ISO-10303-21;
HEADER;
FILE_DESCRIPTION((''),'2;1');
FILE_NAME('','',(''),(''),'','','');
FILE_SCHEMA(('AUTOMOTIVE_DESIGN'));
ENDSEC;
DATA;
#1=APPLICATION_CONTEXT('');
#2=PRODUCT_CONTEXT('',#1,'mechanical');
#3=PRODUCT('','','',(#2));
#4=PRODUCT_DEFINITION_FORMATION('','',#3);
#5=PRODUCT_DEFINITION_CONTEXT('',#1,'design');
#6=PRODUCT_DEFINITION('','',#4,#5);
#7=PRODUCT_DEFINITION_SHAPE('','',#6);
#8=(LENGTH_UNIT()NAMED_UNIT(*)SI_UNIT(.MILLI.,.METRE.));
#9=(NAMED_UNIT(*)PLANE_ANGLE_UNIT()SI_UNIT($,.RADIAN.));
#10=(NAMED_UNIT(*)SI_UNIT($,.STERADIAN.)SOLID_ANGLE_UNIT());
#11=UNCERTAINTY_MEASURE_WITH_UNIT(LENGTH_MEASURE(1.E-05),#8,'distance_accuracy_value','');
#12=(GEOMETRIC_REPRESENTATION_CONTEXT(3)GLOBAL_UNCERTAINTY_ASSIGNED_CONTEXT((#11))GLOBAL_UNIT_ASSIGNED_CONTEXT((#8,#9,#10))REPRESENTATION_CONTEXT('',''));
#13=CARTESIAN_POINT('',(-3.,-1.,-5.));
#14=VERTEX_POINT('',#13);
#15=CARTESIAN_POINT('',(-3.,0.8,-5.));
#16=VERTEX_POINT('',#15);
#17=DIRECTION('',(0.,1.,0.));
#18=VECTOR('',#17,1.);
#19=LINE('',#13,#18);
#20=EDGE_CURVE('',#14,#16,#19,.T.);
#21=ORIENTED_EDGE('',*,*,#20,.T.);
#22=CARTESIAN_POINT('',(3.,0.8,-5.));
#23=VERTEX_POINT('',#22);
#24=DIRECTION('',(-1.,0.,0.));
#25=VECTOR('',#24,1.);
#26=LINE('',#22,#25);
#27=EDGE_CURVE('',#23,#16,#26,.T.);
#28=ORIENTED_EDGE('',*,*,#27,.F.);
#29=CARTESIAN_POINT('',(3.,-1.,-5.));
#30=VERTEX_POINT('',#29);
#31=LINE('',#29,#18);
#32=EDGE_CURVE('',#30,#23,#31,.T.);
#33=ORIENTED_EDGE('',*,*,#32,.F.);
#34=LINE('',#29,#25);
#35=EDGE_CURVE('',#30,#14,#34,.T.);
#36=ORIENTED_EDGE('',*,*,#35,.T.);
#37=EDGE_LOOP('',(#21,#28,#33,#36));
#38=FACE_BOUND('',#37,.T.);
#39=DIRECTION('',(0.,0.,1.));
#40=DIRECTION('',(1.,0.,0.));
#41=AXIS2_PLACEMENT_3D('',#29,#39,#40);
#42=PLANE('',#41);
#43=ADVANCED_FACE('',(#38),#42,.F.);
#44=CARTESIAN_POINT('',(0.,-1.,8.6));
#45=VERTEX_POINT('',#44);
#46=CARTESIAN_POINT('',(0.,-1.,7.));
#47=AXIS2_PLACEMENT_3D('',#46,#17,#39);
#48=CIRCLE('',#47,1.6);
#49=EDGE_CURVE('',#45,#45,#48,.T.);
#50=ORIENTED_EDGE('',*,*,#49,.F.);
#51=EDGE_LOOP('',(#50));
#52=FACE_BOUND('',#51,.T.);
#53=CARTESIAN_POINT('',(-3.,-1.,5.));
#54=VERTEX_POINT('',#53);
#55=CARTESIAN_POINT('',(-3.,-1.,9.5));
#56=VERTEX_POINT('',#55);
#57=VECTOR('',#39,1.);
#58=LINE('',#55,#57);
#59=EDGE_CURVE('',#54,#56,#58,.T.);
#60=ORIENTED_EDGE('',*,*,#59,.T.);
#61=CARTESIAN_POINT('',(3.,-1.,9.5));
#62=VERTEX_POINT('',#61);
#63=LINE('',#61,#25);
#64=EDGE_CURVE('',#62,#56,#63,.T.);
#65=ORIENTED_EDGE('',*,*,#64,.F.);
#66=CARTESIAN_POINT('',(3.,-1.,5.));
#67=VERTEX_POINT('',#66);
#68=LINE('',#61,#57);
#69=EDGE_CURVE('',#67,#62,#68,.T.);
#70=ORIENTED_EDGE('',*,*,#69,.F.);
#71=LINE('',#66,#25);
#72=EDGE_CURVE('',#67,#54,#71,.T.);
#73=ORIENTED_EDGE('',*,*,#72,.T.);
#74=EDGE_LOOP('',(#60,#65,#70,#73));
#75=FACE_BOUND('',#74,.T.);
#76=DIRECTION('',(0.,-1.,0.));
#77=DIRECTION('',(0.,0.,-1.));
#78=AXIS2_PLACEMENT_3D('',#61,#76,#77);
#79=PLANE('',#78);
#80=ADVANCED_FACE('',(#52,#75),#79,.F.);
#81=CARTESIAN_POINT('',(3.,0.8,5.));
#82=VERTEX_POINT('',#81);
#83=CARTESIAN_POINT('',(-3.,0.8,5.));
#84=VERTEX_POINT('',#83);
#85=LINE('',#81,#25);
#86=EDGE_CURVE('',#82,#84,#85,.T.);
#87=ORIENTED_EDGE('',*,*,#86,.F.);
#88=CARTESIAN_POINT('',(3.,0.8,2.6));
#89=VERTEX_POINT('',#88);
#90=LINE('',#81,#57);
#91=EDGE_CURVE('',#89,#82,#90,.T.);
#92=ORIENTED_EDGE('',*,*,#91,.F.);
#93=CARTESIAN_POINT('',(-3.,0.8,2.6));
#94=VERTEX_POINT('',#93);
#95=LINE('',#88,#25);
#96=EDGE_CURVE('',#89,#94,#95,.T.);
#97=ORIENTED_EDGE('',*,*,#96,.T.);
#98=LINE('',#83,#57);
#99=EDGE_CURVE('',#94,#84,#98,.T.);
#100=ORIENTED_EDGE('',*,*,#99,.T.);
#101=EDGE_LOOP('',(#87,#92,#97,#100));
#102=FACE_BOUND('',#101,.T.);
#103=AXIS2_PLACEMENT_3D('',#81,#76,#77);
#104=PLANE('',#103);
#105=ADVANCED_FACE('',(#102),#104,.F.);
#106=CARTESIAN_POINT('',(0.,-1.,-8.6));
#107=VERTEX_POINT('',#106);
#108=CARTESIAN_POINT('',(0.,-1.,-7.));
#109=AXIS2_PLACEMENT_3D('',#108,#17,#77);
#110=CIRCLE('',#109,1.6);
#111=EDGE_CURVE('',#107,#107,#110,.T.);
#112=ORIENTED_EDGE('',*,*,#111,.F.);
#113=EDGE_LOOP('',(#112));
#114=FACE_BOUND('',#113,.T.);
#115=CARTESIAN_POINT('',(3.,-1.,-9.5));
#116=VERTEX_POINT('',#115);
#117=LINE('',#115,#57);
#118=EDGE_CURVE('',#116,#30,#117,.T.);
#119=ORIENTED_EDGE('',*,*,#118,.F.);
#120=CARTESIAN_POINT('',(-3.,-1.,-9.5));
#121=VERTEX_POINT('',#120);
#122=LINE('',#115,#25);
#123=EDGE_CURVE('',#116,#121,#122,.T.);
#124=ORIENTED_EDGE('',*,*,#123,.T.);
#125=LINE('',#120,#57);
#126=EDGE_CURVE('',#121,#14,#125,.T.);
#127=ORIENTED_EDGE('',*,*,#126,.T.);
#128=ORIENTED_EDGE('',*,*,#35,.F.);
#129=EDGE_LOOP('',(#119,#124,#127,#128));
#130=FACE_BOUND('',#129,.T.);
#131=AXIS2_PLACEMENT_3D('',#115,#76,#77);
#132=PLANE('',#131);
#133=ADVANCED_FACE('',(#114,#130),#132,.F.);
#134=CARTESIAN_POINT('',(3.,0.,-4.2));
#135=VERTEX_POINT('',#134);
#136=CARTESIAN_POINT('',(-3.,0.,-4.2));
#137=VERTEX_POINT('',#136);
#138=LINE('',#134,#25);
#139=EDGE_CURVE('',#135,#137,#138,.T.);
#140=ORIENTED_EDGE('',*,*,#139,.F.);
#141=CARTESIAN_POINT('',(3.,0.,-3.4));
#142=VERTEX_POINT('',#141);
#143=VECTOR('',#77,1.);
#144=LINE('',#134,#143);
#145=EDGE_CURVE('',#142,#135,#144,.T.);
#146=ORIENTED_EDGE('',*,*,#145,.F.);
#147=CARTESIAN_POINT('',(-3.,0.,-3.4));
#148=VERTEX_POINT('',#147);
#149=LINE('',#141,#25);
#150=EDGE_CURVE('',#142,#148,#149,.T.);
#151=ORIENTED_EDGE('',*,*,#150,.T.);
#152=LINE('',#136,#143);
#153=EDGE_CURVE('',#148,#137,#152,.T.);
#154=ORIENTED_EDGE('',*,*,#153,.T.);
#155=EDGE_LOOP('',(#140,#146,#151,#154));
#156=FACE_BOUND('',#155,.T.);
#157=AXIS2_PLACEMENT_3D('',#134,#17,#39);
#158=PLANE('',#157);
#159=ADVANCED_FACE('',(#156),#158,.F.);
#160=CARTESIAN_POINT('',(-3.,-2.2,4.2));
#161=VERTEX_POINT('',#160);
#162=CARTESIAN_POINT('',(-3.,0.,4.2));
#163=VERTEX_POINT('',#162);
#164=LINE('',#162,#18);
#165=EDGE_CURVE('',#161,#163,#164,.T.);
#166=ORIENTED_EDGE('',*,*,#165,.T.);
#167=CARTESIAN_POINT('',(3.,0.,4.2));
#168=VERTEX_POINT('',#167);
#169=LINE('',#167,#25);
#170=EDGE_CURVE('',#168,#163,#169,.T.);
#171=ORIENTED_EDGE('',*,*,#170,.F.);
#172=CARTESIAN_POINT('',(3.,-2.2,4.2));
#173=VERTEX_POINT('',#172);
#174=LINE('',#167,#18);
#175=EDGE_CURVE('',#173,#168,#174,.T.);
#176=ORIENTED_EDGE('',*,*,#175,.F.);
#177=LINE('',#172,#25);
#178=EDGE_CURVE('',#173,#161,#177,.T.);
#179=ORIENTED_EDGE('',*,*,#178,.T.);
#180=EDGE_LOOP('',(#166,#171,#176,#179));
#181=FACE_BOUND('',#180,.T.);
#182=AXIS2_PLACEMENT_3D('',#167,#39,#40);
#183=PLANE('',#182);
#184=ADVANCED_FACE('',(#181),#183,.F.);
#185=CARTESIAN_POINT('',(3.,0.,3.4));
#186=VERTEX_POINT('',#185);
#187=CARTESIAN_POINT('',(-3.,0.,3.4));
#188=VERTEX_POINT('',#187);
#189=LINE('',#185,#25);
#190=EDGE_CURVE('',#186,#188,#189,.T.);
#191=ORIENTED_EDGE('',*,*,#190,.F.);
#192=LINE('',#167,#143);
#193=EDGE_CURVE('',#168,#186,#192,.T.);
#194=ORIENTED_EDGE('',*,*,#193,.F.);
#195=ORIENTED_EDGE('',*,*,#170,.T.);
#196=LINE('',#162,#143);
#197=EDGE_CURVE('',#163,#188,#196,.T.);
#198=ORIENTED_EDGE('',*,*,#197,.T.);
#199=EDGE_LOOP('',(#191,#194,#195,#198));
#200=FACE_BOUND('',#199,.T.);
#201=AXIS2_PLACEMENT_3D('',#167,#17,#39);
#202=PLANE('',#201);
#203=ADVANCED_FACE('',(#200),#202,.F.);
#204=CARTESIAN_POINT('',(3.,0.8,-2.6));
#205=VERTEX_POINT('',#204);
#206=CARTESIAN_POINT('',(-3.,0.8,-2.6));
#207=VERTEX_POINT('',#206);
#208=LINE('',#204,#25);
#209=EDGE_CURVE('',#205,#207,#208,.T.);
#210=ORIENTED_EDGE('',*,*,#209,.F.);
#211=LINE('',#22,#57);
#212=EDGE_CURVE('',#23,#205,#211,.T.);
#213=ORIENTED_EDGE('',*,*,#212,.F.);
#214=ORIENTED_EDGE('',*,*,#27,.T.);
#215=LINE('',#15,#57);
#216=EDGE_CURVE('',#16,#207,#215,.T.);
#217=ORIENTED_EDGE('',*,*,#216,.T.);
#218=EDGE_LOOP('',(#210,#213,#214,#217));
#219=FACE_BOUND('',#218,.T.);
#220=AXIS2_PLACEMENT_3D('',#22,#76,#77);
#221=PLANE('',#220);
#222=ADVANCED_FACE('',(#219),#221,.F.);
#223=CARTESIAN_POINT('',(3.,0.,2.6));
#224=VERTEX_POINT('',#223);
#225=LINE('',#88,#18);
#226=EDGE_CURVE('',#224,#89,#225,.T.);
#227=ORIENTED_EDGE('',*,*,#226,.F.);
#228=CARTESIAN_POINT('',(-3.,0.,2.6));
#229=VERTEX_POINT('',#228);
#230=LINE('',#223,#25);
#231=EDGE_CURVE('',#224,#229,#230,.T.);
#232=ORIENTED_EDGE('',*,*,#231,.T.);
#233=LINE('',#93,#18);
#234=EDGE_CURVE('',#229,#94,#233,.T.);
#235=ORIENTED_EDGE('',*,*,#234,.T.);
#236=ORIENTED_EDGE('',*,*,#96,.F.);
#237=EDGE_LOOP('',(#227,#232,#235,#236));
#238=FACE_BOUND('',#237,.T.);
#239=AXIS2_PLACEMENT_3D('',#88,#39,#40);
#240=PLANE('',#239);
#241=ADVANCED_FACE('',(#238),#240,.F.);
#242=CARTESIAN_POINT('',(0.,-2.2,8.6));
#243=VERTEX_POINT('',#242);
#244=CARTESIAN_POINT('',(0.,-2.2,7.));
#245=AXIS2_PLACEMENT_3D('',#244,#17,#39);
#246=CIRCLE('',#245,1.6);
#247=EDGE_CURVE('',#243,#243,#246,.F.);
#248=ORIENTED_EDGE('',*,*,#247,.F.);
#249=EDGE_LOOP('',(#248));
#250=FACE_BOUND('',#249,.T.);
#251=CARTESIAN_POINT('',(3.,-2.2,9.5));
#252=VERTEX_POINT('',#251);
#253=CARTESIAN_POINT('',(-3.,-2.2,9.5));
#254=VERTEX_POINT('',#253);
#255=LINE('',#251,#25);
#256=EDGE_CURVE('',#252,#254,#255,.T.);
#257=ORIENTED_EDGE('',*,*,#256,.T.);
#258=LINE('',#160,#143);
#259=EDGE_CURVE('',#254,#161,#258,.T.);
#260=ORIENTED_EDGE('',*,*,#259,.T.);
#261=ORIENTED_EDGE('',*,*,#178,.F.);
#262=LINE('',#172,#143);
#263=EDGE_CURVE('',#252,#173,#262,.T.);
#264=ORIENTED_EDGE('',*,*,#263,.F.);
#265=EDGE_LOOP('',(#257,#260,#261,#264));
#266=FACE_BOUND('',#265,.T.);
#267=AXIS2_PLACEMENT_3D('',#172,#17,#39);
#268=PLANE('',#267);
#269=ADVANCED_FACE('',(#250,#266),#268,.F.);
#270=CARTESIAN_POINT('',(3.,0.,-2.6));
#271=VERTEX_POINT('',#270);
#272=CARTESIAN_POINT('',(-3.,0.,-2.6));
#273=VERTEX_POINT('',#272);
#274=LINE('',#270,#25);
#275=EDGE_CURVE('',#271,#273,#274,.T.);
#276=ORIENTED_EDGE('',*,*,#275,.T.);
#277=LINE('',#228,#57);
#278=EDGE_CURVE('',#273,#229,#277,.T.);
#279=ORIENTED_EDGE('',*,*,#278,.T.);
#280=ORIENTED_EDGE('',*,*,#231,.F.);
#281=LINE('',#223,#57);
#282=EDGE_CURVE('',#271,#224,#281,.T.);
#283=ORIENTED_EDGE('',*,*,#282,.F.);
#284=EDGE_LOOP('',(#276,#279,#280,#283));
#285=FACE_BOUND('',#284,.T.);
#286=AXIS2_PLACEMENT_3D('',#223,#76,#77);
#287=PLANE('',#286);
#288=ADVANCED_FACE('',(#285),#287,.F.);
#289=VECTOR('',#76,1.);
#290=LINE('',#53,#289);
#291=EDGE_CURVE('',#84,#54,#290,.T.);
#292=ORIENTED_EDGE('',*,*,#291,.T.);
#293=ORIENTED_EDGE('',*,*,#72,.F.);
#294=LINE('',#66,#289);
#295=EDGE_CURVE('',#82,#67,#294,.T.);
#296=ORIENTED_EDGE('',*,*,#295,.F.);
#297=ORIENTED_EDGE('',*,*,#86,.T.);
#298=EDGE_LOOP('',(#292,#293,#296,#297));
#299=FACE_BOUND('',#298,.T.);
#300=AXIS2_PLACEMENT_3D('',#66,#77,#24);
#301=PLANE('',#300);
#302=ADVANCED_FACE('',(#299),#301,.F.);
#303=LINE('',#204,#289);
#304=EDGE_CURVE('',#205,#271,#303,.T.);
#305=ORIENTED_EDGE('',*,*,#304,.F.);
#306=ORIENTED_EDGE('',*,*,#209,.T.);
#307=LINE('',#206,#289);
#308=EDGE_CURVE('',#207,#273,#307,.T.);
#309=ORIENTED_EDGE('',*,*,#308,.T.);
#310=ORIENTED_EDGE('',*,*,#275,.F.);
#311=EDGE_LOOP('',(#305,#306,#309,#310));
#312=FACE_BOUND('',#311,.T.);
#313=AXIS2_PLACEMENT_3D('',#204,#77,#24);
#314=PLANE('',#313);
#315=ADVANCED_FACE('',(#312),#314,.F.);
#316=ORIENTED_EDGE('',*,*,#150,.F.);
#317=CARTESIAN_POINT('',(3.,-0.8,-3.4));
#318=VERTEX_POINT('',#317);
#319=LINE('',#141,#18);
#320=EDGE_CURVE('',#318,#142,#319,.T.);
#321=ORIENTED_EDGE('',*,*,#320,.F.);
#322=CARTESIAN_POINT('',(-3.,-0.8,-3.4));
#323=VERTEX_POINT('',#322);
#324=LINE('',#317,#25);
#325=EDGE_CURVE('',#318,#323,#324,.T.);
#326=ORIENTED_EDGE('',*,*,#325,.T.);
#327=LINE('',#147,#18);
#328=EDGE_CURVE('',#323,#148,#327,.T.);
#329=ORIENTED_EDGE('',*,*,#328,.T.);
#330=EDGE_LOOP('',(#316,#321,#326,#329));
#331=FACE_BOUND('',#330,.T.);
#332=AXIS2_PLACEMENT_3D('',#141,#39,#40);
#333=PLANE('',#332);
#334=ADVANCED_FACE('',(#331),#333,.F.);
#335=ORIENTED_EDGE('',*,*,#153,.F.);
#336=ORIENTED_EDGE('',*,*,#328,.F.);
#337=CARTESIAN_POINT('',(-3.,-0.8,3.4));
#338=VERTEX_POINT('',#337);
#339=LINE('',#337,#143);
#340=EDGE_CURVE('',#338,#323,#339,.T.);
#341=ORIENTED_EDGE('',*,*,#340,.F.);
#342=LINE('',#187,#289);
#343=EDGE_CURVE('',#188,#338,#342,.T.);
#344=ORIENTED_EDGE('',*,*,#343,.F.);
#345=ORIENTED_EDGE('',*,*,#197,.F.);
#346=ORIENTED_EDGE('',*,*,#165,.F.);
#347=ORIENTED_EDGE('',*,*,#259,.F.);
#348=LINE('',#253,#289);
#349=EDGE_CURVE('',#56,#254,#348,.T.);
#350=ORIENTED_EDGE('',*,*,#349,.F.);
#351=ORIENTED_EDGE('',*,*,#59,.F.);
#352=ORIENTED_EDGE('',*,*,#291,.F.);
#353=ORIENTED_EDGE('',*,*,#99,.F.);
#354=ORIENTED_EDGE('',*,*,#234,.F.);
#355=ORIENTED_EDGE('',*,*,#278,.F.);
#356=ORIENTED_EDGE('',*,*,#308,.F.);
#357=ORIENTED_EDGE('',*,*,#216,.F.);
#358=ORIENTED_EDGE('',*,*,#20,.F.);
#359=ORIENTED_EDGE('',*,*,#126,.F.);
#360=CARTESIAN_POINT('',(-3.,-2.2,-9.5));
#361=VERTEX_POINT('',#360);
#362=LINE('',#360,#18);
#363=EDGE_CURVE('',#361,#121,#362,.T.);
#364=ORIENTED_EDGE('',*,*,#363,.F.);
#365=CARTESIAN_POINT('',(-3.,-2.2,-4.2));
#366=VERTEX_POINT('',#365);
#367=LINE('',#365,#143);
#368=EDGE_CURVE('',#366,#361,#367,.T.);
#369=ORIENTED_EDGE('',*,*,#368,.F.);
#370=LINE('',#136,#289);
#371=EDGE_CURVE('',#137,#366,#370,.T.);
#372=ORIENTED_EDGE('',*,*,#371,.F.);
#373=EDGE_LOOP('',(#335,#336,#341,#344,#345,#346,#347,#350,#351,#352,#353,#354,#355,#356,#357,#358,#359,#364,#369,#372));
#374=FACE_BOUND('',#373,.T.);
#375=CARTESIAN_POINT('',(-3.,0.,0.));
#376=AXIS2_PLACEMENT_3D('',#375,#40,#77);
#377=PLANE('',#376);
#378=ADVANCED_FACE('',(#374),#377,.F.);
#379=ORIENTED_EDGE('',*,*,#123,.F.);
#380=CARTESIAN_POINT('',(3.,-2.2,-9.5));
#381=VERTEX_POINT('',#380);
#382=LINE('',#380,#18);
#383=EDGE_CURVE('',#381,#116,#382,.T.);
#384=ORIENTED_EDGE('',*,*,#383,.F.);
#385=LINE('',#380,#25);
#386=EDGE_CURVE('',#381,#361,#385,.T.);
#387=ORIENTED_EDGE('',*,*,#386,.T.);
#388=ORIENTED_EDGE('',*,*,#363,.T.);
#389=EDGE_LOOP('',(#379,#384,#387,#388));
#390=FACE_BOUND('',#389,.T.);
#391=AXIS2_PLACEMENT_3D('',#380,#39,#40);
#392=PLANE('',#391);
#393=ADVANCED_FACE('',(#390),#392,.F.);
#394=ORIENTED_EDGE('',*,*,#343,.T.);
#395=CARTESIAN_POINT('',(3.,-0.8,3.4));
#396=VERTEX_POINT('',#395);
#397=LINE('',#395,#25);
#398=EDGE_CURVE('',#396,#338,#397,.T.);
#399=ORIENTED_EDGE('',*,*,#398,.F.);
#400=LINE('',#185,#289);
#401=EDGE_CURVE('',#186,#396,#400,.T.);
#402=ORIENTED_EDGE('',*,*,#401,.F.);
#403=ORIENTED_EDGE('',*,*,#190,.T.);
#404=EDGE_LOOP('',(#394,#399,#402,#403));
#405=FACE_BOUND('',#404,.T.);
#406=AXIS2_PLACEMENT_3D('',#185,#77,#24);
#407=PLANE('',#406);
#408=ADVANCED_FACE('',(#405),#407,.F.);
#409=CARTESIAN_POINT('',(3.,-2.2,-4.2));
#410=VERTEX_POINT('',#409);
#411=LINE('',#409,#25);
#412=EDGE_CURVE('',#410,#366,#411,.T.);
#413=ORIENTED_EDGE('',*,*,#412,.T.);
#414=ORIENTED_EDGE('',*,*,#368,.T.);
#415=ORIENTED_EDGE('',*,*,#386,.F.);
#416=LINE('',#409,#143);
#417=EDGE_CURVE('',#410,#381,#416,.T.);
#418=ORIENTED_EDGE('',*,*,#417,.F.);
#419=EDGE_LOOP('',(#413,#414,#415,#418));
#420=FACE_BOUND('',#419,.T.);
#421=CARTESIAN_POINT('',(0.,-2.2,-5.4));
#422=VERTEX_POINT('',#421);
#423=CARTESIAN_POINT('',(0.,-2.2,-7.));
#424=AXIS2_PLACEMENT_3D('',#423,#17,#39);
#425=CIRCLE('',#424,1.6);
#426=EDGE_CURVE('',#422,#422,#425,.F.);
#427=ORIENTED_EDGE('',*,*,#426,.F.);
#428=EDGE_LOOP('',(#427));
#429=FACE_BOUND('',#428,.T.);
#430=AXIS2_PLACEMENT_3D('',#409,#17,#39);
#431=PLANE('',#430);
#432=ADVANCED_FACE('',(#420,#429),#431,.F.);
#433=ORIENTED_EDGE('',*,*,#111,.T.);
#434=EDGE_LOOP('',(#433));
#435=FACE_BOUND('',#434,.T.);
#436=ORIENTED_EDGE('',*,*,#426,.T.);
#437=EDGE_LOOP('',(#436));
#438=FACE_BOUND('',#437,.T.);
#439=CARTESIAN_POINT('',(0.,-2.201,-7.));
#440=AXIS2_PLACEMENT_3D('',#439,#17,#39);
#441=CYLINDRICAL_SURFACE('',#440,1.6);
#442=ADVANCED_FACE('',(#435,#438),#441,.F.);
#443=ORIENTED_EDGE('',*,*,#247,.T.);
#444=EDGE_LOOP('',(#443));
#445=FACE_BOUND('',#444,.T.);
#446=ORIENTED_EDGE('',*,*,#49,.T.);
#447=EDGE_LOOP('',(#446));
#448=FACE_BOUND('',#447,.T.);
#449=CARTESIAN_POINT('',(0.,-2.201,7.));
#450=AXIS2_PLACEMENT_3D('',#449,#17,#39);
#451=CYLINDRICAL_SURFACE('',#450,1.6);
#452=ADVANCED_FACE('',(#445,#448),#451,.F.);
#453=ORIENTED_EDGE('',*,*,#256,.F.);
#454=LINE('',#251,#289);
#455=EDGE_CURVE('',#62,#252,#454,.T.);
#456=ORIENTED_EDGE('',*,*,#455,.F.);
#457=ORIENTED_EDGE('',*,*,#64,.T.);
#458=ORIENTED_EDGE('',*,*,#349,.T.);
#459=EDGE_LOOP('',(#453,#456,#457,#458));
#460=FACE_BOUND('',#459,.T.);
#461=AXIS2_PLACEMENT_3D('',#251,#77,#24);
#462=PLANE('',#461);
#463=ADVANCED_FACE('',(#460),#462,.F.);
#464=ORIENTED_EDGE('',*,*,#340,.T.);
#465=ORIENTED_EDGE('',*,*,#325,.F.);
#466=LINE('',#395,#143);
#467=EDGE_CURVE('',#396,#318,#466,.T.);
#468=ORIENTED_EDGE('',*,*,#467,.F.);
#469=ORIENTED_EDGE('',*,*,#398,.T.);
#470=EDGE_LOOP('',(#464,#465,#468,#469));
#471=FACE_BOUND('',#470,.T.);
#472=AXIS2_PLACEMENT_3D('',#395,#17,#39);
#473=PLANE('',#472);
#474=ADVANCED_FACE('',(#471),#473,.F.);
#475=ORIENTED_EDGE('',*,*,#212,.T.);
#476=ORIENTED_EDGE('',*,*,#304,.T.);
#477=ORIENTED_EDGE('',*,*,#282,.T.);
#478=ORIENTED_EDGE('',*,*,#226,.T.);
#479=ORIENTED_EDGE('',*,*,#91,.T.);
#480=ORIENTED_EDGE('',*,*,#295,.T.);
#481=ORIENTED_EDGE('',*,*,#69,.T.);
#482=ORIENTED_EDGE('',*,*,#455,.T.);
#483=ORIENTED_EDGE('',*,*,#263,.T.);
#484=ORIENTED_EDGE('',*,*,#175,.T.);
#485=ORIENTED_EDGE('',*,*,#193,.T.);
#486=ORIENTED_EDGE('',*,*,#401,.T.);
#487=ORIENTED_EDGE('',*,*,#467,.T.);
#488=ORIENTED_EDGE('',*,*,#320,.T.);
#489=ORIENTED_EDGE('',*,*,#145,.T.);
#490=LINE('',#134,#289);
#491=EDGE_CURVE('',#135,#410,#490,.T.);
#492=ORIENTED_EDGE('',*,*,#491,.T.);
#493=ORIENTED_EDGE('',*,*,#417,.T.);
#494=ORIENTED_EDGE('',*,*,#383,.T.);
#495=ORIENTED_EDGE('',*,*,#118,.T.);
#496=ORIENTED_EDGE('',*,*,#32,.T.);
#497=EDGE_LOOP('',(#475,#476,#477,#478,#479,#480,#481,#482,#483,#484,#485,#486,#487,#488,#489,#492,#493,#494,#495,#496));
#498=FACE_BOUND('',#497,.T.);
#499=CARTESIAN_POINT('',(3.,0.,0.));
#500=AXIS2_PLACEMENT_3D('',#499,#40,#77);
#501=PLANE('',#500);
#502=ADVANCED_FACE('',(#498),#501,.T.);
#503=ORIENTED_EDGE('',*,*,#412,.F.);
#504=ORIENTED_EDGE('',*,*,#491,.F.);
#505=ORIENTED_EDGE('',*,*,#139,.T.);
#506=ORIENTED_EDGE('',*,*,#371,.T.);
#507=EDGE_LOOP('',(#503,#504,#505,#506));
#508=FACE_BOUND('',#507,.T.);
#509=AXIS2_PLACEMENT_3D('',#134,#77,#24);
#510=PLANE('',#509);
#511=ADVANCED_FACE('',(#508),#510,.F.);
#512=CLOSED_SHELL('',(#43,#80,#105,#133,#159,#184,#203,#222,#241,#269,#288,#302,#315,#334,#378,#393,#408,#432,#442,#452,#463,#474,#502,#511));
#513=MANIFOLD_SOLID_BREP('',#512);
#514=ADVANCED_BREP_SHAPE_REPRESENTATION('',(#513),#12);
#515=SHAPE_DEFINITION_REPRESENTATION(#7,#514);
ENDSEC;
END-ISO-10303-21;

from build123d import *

# Parameters (mm, degrees)
BOSS_EXTRUDE4_DEPTH = 3
CUT_EXTRUDE1_REACH  = 12.124
SKETCH5_R           = 1.6


with BuildPart() as part:
    # Sketch4 → Boss-Extrude4 (new, symmetric)
    with BuildSketch(Plane(origin=(0, 0, 0), x_dir=(0, 0, -1), z_dir=(1, 0, 0))):
        Polygon((-5, -1), (-5, 0.8), (-2.6, 0.8), (-2.6, 0), (2.6, 0), (2.6, 0.8), (5, 0.8), (5, -1), (9.5, -1), (9.5, -2.2), (4.2, -2.2), (4.2, 0), (3.4, 0), (3.4, -0.8), (-3.4, -0.8), (-3.4, 0), (-4.2, 0), (-4.2, -2.2), (-9.5, -2.2), (-9.5, -1), align=None)
    extrude(amount=BOSS_EXTRUDE4_DEPTH, both=True)

    # Sketch5 → Cut-Extrude1 (cut, up to next)
    with BuildSketch(Plane(origin=(0, -1, 0), x_dir=(1, 0, 0), z_dir=(0, 1, 0)), mode=Mode.PRIVATE) as cut_extrude1_sk1:
        with Locations(Location((0, -7, 0), (0, 0, 270))):
            Circle(SKETCH5_R)
    cut_extrude1_tool1 = extrude(cut_extrude1_sk1.sketch, amount=-CUT_EXTRUDE1_REACH, mode=Mode.PRIVATE) & part.part
    # Sketch5 → Cut-Extrude1 (cut, up to next)
    with BuildSketch(Plane(origin=(0, -1, 0), x_dir=(1, 0, 0), z_dir=(0, 1, 0)), mode=Mode.PRIVATE) as cut_extrude1_sk2:
        with Locations(Location((0, 7, 0), (0, 0, 270))):
            Circle(SKETCH5_R)
    cut_extrude1_tool2 = extrude(cut_extrude1_sk2.sketch, amount=-CUT_EXTRUDE1_REACH, mode=Mode.PRIVATE) & part.part
    add(cut_extrude1_tool1.solids().sort_by_distance((0, -1, 7))[0], mode=Mode.SUBTRACT)
    add(cut_extrude1_tool2.solids().sort_by_distance((0, -1, -7))[0], mode=Mode.SUBTRACT)


solid = part.part
